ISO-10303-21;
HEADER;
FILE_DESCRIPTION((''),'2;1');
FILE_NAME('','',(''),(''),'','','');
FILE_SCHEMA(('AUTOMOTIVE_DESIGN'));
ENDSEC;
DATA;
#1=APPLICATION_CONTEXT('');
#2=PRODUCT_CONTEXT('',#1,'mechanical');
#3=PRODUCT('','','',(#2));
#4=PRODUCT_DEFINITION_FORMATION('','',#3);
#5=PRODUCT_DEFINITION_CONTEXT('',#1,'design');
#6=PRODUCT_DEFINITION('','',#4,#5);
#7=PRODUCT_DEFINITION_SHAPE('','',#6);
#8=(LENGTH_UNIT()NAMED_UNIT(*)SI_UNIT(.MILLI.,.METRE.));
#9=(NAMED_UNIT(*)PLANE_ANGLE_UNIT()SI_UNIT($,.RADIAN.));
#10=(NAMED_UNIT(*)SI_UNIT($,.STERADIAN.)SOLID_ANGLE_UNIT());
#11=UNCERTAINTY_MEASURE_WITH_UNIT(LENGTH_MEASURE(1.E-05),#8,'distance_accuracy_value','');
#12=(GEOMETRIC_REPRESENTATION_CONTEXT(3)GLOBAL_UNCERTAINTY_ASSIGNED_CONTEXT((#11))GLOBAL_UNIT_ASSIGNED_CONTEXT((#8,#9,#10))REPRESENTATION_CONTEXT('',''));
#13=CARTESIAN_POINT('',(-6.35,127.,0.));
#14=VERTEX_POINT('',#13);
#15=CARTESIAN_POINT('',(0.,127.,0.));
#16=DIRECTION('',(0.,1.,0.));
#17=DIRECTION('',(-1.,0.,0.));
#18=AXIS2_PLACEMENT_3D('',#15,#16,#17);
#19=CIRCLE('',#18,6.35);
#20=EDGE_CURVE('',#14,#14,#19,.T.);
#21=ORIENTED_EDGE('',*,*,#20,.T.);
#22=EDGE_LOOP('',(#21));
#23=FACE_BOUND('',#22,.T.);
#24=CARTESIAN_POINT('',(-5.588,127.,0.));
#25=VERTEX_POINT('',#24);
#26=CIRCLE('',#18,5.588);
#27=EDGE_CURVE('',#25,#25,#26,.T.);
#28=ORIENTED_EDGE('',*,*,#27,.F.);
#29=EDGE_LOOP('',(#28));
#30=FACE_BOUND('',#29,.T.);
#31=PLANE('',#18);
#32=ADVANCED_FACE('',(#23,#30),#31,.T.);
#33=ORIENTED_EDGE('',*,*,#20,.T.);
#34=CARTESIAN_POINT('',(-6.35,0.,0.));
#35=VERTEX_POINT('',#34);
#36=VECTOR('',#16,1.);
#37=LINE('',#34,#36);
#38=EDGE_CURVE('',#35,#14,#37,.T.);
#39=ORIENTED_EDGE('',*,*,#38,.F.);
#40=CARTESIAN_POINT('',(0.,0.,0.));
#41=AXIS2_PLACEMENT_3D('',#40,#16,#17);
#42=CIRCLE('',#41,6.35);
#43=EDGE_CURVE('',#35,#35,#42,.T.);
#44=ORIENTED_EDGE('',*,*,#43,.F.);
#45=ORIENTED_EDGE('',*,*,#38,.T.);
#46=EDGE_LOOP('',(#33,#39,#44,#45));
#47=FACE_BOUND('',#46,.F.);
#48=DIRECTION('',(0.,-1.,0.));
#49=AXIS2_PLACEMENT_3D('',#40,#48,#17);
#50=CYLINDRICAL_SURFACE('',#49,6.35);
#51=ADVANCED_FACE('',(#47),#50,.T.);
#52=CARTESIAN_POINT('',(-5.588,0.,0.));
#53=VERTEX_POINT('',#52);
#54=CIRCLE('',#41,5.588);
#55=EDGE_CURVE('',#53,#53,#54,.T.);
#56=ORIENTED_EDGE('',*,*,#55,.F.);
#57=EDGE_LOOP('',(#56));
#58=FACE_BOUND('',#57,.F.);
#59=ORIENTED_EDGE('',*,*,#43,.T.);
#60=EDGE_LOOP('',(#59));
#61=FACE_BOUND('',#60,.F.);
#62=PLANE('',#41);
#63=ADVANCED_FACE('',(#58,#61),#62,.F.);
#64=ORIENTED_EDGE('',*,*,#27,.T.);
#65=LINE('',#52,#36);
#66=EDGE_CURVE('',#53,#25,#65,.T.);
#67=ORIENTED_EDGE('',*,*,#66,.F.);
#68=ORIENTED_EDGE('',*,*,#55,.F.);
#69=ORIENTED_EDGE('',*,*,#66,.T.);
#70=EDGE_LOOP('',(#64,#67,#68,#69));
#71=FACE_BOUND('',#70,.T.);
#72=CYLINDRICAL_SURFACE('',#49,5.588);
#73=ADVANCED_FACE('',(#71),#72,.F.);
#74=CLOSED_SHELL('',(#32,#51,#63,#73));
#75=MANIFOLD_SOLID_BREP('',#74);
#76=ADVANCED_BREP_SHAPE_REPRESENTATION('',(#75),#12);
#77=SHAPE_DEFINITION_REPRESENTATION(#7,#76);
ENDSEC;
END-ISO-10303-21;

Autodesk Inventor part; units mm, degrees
ref_plane "YZ Plane" through (0, 0, 0) normal (1, 0, 0) x (0, 1, 0)
ref_plane "XZ Plane" through (0, 0, 0) normal (0, 1, 0) x (-1, 0, 0)
ref_plane "XY Plane" through (0, 0, 0) normal (0, 0, 1) x (1, 0, 0)
sketch "Sketch1" plane through (0, 0, 0) normal (0, 1, 0) x (-1, 0, 0)
  circle A0 centre (0, 0) radius 6.35
  circle A1 centre (0, 0) radius 5.588
  dimension "d0" = 12.7
  dimension "d1" = 0.762
extrude "Extrusion1" add sketch "Sketch1" along normal blind 127
properties part number "ss pipe for still" material "Stainless Steel"
